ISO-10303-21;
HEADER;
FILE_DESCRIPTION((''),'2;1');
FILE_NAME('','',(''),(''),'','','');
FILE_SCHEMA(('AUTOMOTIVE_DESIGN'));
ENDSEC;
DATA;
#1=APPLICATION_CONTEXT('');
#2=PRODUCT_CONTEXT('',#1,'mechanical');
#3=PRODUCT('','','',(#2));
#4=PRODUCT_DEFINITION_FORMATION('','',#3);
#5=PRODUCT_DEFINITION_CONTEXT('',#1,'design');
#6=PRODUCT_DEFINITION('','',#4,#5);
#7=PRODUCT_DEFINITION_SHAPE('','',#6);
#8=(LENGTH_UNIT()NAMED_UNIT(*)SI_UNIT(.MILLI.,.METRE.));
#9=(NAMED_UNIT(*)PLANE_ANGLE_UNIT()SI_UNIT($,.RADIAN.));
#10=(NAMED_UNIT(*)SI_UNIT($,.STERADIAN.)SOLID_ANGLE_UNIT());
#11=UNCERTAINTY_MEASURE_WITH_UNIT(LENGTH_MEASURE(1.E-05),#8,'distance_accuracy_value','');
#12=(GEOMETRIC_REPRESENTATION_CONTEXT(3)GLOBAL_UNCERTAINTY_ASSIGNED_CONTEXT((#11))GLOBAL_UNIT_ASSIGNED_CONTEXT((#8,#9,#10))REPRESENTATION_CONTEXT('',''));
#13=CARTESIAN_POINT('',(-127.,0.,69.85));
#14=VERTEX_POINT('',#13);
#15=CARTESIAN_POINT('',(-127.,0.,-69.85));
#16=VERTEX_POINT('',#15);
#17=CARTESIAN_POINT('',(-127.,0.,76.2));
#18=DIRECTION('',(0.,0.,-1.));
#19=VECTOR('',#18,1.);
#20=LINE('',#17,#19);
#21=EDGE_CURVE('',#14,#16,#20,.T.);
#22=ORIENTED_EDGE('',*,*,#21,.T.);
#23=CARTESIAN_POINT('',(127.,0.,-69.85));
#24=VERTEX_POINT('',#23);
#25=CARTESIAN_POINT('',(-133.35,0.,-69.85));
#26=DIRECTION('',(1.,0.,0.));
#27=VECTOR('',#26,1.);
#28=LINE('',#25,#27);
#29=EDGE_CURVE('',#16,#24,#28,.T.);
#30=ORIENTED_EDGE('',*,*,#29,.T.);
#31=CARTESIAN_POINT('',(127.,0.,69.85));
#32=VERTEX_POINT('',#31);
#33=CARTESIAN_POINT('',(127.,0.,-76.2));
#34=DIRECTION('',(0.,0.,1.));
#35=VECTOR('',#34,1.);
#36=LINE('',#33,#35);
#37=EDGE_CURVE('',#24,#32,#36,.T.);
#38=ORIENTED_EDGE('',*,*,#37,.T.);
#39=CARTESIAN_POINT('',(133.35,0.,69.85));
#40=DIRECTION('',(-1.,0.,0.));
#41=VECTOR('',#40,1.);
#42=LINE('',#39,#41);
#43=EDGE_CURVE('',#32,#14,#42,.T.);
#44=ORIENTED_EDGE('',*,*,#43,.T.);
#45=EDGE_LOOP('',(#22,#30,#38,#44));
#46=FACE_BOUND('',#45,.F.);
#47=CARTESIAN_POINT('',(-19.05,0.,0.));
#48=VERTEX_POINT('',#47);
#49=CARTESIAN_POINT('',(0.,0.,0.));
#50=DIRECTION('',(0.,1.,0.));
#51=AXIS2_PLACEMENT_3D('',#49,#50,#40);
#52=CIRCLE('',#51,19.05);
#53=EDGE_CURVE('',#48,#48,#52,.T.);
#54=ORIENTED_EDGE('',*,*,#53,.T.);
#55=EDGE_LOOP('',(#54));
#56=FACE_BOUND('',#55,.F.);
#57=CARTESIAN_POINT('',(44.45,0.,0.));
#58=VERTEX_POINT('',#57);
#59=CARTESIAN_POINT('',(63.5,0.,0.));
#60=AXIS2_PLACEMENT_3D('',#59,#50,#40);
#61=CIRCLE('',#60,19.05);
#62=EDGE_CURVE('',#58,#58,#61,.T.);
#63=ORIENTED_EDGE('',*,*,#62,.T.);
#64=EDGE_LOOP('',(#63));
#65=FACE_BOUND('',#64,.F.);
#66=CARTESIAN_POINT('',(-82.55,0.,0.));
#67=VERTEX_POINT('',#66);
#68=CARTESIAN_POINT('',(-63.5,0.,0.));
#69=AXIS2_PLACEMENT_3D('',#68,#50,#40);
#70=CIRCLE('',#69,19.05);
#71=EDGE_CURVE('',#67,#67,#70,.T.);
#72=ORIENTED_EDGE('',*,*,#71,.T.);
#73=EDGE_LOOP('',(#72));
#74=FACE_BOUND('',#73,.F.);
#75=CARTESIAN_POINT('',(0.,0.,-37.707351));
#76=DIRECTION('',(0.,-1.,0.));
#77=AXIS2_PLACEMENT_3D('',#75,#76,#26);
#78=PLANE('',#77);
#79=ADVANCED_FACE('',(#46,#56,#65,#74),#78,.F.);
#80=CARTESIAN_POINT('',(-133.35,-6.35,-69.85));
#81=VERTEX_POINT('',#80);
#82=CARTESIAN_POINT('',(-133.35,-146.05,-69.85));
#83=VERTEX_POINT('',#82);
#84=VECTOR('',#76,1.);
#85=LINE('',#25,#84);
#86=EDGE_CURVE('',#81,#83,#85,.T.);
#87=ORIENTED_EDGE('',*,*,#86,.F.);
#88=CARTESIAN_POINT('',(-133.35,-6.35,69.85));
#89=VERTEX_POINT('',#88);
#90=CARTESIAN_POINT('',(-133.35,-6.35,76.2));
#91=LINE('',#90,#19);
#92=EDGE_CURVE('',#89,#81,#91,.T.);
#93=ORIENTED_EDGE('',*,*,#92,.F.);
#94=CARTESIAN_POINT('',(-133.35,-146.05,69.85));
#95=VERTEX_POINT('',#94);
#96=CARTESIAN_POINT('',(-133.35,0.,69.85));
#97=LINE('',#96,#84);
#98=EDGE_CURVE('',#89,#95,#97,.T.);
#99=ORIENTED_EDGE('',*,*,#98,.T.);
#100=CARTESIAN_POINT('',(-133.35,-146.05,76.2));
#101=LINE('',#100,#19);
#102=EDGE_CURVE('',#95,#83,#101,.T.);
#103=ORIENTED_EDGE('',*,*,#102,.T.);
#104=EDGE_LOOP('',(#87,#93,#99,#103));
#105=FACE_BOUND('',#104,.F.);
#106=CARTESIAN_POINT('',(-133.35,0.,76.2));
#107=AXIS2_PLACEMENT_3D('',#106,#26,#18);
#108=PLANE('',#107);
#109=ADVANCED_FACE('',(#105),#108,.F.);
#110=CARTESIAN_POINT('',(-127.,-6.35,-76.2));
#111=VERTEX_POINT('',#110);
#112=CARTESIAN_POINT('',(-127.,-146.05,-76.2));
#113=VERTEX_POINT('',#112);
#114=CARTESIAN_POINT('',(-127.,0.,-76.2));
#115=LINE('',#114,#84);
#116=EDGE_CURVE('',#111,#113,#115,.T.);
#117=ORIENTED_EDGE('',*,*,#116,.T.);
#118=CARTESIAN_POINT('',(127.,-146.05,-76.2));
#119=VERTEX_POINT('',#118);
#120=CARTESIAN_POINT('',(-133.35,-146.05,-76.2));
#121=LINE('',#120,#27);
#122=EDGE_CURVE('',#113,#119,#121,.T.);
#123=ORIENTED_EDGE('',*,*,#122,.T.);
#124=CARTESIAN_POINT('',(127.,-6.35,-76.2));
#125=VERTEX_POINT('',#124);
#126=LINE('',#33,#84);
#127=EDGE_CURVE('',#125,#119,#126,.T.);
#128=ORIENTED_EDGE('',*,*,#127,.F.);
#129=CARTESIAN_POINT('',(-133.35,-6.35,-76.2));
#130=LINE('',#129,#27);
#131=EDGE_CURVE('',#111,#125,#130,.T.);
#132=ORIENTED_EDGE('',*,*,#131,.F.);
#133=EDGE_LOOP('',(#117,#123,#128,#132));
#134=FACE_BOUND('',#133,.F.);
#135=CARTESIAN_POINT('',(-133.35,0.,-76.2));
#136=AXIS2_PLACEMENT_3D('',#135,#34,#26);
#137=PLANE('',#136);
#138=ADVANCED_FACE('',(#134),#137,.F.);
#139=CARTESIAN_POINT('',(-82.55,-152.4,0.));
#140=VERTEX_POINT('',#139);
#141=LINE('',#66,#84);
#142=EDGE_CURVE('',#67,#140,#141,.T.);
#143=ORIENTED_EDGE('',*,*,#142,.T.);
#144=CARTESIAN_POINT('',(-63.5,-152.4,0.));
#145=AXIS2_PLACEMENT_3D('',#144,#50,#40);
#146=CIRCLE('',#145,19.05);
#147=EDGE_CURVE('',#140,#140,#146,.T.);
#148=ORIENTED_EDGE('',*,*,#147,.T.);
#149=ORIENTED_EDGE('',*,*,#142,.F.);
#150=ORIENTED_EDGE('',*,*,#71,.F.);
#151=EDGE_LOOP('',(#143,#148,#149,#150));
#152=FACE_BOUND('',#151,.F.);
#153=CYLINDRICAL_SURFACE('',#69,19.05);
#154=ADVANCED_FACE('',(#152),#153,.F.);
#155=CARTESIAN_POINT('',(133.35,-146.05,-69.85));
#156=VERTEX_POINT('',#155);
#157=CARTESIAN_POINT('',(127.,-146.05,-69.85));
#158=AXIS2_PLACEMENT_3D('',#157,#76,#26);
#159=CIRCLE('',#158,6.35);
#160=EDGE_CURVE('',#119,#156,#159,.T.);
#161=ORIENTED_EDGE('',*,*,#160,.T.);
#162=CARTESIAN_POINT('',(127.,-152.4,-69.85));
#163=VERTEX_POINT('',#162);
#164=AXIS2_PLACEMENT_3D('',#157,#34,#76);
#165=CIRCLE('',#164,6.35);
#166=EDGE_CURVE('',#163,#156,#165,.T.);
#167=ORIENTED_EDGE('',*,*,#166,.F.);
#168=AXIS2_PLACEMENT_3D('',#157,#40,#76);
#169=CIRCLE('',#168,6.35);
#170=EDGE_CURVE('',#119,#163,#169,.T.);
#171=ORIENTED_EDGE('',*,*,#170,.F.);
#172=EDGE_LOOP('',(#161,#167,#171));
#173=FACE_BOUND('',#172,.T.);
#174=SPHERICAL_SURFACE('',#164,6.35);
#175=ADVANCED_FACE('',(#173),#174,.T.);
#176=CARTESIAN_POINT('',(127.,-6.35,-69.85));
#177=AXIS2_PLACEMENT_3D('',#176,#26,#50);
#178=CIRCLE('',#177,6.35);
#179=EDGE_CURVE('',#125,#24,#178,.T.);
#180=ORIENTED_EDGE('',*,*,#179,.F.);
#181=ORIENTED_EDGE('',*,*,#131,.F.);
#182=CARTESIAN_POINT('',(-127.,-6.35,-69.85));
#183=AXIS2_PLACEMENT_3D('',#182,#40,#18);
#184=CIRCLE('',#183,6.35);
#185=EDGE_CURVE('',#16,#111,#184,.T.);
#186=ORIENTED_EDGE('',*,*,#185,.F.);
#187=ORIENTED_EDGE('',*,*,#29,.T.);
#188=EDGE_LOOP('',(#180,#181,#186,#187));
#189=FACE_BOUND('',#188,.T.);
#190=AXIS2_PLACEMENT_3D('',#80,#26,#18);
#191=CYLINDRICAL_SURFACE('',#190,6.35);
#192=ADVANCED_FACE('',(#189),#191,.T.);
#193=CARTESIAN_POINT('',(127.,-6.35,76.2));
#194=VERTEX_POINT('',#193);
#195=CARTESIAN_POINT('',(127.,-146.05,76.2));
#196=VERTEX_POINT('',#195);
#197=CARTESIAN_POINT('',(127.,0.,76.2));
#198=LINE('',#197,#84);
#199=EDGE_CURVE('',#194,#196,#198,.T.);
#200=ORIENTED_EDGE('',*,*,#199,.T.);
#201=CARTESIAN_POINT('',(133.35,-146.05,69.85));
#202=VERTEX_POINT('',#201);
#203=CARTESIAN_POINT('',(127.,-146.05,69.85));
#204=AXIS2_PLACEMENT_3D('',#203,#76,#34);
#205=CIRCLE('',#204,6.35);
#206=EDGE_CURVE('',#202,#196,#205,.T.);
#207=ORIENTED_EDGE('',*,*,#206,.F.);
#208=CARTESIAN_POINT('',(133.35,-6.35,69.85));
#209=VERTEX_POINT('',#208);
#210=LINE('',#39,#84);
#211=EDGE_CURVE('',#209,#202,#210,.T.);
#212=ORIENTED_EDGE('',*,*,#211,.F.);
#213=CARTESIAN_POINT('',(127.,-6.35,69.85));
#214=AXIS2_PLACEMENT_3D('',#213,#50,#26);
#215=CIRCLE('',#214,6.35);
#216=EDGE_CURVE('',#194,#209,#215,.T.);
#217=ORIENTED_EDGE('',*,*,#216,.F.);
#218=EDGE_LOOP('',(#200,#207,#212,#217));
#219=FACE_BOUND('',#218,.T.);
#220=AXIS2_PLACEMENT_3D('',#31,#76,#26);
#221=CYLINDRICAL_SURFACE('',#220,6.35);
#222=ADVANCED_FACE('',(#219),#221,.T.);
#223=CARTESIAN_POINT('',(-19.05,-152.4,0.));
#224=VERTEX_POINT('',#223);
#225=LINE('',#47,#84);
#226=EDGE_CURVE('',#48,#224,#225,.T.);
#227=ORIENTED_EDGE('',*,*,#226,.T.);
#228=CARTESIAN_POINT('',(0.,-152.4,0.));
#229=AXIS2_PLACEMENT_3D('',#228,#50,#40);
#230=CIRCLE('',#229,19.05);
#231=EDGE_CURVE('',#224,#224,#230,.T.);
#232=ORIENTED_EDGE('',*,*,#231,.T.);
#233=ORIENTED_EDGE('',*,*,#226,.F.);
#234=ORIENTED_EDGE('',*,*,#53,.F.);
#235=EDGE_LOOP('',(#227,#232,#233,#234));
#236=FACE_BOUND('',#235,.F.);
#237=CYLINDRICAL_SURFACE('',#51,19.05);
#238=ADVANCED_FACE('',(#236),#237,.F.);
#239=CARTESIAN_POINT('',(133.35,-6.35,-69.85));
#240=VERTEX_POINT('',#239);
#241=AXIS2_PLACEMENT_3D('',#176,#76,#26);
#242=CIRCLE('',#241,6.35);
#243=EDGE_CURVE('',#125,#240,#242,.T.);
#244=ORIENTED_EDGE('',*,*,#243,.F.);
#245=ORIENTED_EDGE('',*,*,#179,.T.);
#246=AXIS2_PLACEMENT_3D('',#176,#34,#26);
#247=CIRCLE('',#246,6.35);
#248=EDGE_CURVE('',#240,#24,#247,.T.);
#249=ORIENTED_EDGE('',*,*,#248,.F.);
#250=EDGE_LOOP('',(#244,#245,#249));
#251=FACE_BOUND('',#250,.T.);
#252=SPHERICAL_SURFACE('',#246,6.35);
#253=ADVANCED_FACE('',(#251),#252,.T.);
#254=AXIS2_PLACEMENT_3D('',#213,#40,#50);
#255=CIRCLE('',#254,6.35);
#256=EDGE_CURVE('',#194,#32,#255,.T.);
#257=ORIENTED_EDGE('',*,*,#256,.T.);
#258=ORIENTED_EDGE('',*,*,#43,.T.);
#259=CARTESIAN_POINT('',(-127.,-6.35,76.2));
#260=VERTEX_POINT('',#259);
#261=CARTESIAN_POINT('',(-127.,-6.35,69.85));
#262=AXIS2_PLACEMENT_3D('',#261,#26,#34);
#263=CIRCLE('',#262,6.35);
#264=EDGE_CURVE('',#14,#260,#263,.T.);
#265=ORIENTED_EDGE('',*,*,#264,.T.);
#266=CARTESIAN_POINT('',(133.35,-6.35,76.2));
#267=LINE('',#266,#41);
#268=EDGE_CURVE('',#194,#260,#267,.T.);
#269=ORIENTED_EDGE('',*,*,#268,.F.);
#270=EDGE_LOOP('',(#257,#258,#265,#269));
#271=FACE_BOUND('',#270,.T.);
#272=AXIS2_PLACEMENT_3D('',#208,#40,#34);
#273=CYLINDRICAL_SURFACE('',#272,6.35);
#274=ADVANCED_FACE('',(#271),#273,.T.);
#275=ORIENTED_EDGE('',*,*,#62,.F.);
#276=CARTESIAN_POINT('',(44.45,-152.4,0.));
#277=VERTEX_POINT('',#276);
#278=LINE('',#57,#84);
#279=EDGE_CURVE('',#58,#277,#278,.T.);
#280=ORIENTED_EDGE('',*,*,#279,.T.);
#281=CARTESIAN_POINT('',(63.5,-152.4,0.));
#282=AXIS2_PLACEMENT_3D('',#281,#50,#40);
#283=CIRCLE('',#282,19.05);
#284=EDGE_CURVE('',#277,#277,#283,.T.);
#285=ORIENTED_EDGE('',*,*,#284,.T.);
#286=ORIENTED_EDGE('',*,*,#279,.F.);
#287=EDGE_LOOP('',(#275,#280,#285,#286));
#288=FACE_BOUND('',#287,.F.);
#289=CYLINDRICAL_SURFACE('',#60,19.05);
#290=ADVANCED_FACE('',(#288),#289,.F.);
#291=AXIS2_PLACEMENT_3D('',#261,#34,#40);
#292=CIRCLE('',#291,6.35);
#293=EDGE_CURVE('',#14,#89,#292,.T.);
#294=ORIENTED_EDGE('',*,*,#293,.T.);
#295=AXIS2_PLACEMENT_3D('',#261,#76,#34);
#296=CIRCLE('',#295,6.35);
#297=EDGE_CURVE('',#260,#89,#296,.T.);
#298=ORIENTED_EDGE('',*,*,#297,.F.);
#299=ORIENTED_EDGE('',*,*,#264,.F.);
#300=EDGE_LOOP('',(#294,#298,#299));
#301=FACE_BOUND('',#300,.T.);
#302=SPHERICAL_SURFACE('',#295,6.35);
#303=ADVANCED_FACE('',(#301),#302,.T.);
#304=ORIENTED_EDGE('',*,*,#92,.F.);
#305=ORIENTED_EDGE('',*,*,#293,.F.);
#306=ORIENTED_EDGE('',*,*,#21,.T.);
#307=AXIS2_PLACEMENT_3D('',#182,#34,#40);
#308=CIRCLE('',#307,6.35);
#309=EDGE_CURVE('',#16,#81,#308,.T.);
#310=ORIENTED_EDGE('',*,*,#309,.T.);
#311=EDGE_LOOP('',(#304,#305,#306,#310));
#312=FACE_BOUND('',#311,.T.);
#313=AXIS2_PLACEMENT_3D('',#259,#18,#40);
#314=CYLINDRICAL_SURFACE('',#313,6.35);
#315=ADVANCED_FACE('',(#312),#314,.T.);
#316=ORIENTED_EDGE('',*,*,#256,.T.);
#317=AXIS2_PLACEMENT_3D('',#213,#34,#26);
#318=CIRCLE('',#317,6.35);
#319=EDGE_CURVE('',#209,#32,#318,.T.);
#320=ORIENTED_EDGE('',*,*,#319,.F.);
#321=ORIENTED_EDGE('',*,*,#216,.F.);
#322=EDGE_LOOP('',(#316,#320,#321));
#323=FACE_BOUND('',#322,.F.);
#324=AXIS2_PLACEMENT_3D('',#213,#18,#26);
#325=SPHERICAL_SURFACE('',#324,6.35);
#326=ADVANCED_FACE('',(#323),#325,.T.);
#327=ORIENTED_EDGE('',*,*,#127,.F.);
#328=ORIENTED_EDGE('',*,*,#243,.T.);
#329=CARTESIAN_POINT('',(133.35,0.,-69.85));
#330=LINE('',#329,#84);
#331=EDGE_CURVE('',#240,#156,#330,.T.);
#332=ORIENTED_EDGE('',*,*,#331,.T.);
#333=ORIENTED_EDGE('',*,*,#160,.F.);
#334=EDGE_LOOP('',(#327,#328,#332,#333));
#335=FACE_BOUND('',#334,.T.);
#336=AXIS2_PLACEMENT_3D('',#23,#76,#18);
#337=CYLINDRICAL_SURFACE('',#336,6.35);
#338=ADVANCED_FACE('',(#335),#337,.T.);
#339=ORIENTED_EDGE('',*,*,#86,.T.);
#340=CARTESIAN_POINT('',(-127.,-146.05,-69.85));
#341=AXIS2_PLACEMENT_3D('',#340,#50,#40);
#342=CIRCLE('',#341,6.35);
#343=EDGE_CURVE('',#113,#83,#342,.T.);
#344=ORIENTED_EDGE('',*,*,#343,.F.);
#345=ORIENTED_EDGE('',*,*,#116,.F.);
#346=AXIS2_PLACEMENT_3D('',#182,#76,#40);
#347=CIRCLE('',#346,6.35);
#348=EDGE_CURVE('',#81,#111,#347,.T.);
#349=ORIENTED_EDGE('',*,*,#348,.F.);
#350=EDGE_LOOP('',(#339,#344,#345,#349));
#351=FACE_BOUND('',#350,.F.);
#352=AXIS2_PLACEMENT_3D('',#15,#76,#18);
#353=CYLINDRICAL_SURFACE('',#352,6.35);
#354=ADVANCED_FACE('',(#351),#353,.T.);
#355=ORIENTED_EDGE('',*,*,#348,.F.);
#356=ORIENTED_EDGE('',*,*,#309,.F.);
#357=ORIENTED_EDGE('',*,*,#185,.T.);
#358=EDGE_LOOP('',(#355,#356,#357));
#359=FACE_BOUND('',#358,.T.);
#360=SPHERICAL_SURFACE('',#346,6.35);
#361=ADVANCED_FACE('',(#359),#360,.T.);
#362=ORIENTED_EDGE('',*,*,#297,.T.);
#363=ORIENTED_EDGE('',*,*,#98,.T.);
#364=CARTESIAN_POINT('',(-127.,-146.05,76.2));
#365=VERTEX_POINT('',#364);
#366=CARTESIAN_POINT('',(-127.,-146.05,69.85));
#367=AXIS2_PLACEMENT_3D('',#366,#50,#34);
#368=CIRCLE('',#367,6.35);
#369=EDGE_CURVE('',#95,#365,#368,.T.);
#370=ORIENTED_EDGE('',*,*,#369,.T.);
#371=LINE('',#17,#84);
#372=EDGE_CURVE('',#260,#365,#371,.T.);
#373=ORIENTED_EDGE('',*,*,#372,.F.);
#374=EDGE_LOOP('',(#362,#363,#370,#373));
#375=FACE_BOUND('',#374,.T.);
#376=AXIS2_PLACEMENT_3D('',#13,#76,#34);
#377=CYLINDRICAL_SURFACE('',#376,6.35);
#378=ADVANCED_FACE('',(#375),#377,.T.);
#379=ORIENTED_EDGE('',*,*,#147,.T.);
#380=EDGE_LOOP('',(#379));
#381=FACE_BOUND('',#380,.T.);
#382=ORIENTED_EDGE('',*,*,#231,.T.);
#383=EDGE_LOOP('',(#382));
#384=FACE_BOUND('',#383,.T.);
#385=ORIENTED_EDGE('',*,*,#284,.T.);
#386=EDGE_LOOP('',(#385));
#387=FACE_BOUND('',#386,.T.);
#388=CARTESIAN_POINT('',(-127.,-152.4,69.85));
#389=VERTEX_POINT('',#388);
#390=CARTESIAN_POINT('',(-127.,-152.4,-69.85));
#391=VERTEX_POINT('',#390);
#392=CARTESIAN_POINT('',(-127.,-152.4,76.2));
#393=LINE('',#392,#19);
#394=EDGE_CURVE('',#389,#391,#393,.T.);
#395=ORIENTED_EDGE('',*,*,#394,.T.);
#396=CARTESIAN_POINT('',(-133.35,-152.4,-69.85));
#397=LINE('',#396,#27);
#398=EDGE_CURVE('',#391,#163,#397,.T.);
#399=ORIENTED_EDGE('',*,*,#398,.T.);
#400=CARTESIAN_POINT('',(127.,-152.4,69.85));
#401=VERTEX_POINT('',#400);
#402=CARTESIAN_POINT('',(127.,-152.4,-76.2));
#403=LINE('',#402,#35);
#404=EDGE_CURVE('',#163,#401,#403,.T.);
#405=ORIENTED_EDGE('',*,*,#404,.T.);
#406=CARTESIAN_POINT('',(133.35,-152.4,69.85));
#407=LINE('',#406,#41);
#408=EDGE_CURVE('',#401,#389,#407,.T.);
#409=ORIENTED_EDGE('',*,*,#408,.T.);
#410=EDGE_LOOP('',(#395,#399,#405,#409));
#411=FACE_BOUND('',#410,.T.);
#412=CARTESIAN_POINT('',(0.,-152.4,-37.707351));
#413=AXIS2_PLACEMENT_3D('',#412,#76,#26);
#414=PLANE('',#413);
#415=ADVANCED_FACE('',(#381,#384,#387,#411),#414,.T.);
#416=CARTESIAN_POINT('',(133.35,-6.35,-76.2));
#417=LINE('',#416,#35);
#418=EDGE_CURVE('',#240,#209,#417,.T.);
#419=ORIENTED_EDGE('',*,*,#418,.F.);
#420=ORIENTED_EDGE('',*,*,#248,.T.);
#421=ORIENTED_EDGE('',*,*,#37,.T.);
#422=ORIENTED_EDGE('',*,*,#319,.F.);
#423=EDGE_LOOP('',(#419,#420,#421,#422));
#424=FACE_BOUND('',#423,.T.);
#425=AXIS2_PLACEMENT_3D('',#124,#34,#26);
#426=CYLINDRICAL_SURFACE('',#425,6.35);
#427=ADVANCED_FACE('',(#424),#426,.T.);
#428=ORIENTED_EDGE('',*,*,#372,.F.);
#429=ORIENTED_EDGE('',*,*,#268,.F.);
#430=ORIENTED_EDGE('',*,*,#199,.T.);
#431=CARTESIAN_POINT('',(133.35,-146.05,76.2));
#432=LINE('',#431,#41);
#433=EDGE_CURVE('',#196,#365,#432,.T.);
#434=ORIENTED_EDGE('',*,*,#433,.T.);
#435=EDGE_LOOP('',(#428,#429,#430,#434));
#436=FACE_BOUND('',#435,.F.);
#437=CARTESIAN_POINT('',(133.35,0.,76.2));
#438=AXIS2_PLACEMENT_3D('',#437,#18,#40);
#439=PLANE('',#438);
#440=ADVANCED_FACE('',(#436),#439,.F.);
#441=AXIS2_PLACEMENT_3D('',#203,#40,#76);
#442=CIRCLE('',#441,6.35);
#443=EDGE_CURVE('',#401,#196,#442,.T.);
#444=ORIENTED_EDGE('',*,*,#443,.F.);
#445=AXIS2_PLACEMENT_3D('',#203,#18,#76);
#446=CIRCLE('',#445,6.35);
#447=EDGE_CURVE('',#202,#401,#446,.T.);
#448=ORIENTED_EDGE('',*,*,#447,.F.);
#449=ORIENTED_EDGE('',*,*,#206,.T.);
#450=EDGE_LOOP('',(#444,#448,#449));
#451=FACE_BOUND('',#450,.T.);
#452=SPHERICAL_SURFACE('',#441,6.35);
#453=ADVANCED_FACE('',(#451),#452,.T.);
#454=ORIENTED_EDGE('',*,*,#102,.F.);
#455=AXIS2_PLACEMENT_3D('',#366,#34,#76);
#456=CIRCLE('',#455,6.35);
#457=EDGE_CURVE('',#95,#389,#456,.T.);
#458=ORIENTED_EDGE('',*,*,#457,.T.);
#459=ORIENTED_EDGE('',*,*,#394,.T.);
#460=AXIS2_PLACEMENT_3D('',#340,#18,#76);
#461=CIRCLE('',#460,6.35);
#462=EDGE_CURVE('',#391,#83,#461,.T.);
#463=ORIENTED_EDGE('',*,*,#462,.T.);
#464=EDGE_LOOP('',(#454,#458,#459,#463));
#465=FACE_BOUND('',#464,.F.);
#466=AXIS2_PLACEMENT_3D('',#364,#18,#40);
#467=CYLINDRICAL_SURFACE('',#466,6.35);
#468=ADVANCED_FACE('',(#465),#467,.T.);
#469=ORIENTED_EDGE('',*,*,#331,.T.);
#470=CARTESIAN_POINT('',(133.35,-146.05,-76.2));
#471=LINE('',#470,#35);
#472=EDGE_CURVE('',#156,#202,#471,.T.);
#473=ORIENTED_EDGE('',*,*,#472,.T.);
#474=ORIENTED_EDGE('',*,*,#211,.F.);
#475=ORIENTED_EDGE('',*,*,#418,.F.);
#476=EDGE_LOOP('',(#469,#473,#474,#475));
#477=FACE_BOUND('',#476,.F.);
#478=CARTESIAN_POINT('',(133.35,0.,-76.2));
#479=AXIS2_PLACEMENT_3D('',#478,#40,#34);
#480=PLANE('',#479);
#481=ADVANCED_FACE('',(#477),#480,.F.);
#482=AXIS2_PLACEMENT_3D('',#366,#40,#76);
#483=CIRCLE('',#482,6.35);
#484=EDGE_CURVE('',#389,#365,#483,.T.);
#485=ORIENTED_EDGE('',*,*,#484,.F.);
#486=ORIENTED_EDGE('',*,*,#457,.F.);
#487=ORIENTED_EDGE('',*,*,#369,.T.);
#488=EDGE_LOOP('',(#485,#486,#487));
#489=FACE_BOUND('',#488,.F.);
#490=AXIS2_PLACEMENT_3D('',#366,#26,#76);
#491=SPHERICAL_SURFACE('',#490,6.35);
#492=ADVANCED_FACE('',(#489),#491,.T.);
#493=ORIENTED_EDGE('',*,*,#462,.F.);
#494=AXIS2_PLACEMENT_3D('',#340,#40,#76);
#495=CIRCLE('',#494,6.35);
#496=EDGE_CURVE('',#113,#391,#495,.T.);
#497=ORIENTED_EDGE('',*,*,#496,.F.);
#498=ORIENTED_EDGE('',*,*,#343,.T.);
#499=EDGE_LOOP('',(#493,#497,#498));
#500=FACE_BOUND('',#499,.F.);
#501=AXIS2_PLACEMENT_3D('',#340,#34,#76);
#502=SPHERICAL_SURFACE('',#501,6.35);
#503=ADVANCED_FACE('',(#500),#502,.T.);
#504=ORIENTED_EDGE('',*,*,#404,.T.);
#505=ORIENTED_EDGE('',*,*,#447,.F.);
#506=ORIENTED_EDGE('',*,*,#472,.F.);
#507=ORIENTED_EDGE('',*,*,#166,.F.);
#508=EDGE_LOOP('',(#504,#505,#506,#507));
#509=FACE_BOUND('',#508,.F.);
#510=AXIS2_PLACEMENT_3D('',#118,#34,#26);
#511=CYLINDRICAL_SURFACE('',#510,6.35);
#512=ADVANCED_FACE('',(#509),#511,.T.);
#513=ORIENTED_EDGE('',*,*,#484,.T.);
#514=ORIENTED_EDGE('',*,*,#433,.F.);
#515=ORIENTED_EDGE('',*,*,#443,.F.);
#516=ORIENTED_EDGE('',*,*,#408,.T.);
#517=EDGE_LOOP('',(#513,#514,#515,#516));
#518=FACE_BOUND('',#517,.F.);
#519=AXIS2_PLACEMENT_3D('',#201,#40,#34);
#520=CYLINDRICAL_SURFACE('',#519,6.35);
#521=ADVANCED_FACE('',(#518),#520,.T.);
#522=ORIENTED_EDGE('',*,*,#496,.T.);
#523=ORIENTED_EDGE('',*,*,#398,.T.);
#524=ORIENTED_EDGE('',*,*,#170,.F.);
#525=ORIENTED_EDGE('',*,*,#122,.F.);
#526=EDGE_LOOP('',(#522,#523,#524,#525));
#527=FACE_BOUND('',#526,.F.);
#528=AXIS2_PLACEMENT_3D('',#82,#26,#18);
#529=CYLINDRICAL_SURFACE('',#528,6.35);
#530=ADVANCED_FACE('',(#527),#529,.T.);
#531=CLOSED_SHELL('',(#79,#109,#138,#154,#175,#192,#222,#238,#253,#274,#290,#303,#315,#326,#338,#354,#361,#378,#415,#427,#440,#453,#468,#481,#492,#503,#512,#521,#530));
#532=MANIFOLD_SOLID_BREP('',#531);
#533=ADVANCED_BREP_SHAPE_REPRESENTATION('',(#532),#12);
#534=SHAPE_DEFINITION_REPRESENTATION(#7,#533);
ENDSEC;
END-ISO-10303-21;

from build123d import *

# Parameters (mm, degrees)
F1_DEPTH = 152.4
F2_R     = 6.35


with BuildPart() as f1:
    # F0 (on Front) → F1 (new body)
    with BuildSketch(Plane.XZ):
        with BuildLine():
            Line((-133.35, -76.2), (133.35, -76.2))
            Line((133.35, -76.2), (133.35, 0))
            Line((133.35, 0), (82.55, 0))
            ThreePointArc((82.55, 0), (63.5, -19.05), (44.45, 0))
            Line((44.45, 0), (19.05, 0))
            ThreePointArc((19.05, 0), (0, -19.05), (-19.05, 0))
            Line((-19.05, 0), (-44.45, 0))
            ThreePointArc((-44.45, 0), (-63.5, -19.05), (-82.55, 0))
            Line((-82.55, 0), (-133.35, 0))
            Line((-133.35, 0), (-133.35, -76.2))
        make_face()
        with BuildLine():
            Line((82.55, 0), (133.35, 0))
            Line((133.35, 0), (133.35, 76.2))
            Line((133.35, 76.2), (-133.35, 76.2))
            Line((-133.35, 76.2), (-133.35, 0))
            Line((-133.35, 0), (-82.55, 0))
            ThreePointArc((-82.55, 0), (-63.5, 19.05), (-44.45, 0))
            Line((-44.45, 0), (-19.05, 0))
            ThreePointArc((-19.05, 0), (0, 19.05), (19.05, 0))
            Line((19.05, 0), (44.45, 0))
            ThreePointArc((44.45, 0), (63.5, 19.05), (82.55, 0))
        make_face()
    extrude(amount=F1_DEPTH)

    # F2
    f2_edges = [f1.edges().sort_by_distance(p)[0] for p in [
        (0, -152.4, 76.2),
        (133.35, -152.4, 0),
        (-133.35, -152.4, 0),
        (0, -152.4, -76.2),
        (133.35, 0, 0),
        (133.35, -76.2, -76.2),
        (133.35, -76.2, 76.2),
        (-133.35, -76.2, 76.2),
        (0, 0, 76.2),
        (-133.35, -76.2, -76.2),
        (-133.35, 0, 0),
        (0, 0, -76.2),
    ]]
    fillet(f2_edges, radius=F2_R)


solid = f1.part
